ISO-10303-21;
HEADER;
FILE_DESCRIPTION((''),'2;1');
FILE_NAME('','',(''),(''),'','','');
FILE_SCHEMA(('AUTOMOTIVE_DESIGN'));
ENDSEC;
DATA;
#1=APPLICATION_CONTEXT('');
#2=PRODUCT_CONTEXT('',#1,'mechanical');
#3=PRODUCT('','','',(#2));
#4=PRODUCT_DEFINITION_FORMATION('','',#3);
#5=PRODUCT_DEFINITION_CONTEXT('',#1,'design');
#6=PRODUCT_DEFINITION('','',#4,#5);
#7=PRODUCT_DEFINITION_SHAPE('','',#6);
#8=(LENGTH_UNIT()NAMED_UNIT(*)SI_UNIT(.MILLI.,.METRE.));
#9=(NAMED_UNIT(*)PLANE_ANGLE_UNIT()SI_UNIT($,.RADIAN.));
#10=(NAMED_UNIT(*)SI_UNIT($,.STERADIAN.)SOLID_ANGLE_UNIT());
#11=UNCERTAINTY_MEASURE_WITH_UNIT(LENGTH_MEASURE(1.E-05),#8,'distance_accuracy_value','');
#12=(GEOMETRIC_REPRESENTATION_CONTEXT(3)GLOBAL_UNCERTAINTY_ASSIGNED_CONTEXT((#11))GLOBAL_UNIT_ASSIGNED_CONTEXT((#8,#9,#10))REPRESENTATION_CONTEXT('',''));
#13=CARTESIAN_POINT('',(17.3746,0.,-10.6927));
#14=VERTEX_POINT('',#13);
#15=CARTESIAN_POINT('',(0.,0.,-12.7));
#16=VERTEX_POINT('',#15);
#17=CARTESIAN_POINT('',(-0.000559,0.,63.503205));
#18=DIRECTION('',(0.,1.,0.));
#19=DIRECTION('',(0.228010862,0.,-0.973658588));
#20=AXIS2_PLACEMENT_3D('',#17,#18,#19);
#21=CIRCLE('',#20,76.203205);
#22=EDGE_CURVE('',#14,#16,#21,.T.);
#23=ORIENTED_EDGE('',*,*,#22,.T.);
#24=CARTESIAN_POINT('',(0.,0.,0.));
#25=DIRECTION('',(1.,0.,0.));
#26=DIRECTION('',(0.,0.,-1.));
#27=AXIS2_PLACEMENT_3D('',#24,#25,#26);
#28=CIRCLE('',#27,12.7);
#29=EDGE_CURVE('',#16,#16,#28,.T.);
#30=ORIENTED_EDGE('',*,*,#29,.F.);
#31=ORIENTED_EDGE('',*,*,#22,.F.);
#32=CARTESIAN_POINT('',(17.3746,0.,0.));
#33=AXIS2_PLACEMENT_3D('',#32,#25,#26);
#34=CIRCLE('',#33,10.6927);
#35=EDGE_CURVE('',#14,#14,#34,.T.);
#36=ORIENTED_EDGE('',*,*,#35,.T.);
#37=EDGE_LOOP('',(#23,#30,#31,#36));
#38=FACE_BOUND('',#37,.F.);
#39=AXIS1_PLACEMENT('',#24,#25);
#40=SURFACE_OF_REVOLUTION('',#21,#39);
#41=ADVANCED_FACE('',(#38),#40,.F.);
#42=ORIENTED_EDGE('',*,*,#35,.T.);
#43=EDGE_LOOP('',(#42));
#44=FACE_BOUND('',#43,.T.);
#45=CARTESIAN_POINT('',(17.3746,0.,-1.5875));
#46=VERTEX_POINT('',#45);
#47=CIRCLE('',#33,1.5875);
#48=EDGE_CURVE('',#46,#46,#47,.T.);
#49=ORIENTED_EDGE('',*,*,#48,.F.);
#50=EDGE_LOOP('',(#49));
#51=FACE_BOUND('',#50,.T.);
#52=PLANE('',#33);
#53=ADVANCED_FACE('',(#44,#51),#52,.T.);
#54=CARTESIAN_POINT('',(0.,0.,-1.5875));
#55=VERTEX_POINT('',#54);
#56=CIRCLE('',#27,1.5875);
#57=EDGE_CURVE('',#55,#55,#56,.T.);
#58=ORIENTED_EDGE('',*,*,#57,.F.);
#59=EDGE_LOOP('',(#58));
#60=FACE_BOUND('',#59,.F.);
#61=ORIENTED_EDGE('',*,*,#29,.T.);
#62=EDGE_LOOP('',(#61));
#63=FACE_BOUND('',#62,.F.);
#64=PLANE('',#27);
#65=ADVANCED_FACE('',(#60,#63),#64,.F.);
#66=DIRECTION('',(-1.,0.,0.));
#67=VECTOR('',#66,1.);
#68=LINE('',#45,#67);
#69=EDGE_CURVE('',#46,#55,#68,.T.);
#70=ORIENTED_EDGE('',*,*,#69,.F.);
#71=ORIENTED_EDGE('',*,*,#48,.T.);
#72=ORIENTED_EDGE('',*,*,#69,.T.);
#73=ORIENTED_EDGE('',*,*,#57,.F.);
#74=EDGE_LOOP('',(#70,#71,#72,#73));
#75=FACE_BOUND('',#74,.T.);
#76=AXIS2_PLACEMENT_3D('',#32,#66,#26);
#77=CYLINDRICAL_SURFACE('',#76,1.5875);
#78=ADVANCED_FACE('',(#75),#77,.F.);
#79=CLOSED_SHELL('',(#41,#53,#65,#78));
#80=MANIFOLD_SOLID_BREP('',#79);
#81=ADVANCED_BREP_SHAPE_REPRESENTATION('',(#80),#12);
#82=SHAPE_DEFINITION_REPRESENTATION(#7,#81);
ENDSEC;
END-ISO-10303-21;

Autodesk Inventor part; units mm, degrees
ref_plane "YZ Plane" through (0, 0, 0) normal (1, 0, 0) x (0, 1, 0)
ref_plane "XZ Plane" through (0, 0, 0) normal (0, 1, 0) x (-1, 0, 0)
ref_plane "XY Plane" through (0, 0, 0) normal (0, 0, 1) x (1, 0, 0)
sketch "Sketch1" plane through (0, 0, 0) normal (0, 1, 0) x (-1, 0, 0)
  line L0 (0, 0) -> (0, 47.7364) construction
  line L1 (0, 47.7364) -> (-17.3746, 0) construction
  line L2 (-17.3746, 0) -> (0, 0) construction
  line L3 (0, 0) -> (17.3746, 0) construction
  line L4 (0, 0) -> (0, -12.7) construction
  arc A0 (-17.3746, -10.6927) -> (17.3746, -10.6927) centre (0, 63.5) ccw construction
  line L5 (-17.3746, 0) -> (-17.3746, -10.6927) construction
  line L6 (17.3746, 0) -> (17.3746, -10.6927) construction
  line L7 (-17.3746, -10.6927) -> (-17.3746, -1.5875)
  line L8 (-17.3746, -1.5875) -> (0, -1.5875)
  line L9 (0, -12.7) -> (0, -1.5875)
  arc A1 (-17.3746, -10.6927) -> (0, -12.7) centre (0, 63.5) ccw
  dimension "d0" = 50.8
  dimension "d1" = 20
  dimension "d2" = 12.7
  dimension "d4" = 76.2
  dimension "d7" = 1.5875
revolve "Revolution1" add sketch "Sketch1" angle 360 about axis through (0, 0, 0) along (1, 0, 0)
equation "\"d0\" = 0.5 * wheel_d - roller_d"
equation "\"d1\" = 0.5 * roller_angle"
equation "\"d2\" = 0.5 * roller_d"
equation "\"d4\" = 0.5 * wheel_d"
equation "\"d7\" = 0.5 * roller_shaft_d"
equation "\"wheel_d\" = 152.4"
equation "\"roller_d\" = 25.4"
equation "\"roller_angle\" = 40deg"
equation "\"roller_shaft_d\" = 3.175"
properties part number "roller_half"
